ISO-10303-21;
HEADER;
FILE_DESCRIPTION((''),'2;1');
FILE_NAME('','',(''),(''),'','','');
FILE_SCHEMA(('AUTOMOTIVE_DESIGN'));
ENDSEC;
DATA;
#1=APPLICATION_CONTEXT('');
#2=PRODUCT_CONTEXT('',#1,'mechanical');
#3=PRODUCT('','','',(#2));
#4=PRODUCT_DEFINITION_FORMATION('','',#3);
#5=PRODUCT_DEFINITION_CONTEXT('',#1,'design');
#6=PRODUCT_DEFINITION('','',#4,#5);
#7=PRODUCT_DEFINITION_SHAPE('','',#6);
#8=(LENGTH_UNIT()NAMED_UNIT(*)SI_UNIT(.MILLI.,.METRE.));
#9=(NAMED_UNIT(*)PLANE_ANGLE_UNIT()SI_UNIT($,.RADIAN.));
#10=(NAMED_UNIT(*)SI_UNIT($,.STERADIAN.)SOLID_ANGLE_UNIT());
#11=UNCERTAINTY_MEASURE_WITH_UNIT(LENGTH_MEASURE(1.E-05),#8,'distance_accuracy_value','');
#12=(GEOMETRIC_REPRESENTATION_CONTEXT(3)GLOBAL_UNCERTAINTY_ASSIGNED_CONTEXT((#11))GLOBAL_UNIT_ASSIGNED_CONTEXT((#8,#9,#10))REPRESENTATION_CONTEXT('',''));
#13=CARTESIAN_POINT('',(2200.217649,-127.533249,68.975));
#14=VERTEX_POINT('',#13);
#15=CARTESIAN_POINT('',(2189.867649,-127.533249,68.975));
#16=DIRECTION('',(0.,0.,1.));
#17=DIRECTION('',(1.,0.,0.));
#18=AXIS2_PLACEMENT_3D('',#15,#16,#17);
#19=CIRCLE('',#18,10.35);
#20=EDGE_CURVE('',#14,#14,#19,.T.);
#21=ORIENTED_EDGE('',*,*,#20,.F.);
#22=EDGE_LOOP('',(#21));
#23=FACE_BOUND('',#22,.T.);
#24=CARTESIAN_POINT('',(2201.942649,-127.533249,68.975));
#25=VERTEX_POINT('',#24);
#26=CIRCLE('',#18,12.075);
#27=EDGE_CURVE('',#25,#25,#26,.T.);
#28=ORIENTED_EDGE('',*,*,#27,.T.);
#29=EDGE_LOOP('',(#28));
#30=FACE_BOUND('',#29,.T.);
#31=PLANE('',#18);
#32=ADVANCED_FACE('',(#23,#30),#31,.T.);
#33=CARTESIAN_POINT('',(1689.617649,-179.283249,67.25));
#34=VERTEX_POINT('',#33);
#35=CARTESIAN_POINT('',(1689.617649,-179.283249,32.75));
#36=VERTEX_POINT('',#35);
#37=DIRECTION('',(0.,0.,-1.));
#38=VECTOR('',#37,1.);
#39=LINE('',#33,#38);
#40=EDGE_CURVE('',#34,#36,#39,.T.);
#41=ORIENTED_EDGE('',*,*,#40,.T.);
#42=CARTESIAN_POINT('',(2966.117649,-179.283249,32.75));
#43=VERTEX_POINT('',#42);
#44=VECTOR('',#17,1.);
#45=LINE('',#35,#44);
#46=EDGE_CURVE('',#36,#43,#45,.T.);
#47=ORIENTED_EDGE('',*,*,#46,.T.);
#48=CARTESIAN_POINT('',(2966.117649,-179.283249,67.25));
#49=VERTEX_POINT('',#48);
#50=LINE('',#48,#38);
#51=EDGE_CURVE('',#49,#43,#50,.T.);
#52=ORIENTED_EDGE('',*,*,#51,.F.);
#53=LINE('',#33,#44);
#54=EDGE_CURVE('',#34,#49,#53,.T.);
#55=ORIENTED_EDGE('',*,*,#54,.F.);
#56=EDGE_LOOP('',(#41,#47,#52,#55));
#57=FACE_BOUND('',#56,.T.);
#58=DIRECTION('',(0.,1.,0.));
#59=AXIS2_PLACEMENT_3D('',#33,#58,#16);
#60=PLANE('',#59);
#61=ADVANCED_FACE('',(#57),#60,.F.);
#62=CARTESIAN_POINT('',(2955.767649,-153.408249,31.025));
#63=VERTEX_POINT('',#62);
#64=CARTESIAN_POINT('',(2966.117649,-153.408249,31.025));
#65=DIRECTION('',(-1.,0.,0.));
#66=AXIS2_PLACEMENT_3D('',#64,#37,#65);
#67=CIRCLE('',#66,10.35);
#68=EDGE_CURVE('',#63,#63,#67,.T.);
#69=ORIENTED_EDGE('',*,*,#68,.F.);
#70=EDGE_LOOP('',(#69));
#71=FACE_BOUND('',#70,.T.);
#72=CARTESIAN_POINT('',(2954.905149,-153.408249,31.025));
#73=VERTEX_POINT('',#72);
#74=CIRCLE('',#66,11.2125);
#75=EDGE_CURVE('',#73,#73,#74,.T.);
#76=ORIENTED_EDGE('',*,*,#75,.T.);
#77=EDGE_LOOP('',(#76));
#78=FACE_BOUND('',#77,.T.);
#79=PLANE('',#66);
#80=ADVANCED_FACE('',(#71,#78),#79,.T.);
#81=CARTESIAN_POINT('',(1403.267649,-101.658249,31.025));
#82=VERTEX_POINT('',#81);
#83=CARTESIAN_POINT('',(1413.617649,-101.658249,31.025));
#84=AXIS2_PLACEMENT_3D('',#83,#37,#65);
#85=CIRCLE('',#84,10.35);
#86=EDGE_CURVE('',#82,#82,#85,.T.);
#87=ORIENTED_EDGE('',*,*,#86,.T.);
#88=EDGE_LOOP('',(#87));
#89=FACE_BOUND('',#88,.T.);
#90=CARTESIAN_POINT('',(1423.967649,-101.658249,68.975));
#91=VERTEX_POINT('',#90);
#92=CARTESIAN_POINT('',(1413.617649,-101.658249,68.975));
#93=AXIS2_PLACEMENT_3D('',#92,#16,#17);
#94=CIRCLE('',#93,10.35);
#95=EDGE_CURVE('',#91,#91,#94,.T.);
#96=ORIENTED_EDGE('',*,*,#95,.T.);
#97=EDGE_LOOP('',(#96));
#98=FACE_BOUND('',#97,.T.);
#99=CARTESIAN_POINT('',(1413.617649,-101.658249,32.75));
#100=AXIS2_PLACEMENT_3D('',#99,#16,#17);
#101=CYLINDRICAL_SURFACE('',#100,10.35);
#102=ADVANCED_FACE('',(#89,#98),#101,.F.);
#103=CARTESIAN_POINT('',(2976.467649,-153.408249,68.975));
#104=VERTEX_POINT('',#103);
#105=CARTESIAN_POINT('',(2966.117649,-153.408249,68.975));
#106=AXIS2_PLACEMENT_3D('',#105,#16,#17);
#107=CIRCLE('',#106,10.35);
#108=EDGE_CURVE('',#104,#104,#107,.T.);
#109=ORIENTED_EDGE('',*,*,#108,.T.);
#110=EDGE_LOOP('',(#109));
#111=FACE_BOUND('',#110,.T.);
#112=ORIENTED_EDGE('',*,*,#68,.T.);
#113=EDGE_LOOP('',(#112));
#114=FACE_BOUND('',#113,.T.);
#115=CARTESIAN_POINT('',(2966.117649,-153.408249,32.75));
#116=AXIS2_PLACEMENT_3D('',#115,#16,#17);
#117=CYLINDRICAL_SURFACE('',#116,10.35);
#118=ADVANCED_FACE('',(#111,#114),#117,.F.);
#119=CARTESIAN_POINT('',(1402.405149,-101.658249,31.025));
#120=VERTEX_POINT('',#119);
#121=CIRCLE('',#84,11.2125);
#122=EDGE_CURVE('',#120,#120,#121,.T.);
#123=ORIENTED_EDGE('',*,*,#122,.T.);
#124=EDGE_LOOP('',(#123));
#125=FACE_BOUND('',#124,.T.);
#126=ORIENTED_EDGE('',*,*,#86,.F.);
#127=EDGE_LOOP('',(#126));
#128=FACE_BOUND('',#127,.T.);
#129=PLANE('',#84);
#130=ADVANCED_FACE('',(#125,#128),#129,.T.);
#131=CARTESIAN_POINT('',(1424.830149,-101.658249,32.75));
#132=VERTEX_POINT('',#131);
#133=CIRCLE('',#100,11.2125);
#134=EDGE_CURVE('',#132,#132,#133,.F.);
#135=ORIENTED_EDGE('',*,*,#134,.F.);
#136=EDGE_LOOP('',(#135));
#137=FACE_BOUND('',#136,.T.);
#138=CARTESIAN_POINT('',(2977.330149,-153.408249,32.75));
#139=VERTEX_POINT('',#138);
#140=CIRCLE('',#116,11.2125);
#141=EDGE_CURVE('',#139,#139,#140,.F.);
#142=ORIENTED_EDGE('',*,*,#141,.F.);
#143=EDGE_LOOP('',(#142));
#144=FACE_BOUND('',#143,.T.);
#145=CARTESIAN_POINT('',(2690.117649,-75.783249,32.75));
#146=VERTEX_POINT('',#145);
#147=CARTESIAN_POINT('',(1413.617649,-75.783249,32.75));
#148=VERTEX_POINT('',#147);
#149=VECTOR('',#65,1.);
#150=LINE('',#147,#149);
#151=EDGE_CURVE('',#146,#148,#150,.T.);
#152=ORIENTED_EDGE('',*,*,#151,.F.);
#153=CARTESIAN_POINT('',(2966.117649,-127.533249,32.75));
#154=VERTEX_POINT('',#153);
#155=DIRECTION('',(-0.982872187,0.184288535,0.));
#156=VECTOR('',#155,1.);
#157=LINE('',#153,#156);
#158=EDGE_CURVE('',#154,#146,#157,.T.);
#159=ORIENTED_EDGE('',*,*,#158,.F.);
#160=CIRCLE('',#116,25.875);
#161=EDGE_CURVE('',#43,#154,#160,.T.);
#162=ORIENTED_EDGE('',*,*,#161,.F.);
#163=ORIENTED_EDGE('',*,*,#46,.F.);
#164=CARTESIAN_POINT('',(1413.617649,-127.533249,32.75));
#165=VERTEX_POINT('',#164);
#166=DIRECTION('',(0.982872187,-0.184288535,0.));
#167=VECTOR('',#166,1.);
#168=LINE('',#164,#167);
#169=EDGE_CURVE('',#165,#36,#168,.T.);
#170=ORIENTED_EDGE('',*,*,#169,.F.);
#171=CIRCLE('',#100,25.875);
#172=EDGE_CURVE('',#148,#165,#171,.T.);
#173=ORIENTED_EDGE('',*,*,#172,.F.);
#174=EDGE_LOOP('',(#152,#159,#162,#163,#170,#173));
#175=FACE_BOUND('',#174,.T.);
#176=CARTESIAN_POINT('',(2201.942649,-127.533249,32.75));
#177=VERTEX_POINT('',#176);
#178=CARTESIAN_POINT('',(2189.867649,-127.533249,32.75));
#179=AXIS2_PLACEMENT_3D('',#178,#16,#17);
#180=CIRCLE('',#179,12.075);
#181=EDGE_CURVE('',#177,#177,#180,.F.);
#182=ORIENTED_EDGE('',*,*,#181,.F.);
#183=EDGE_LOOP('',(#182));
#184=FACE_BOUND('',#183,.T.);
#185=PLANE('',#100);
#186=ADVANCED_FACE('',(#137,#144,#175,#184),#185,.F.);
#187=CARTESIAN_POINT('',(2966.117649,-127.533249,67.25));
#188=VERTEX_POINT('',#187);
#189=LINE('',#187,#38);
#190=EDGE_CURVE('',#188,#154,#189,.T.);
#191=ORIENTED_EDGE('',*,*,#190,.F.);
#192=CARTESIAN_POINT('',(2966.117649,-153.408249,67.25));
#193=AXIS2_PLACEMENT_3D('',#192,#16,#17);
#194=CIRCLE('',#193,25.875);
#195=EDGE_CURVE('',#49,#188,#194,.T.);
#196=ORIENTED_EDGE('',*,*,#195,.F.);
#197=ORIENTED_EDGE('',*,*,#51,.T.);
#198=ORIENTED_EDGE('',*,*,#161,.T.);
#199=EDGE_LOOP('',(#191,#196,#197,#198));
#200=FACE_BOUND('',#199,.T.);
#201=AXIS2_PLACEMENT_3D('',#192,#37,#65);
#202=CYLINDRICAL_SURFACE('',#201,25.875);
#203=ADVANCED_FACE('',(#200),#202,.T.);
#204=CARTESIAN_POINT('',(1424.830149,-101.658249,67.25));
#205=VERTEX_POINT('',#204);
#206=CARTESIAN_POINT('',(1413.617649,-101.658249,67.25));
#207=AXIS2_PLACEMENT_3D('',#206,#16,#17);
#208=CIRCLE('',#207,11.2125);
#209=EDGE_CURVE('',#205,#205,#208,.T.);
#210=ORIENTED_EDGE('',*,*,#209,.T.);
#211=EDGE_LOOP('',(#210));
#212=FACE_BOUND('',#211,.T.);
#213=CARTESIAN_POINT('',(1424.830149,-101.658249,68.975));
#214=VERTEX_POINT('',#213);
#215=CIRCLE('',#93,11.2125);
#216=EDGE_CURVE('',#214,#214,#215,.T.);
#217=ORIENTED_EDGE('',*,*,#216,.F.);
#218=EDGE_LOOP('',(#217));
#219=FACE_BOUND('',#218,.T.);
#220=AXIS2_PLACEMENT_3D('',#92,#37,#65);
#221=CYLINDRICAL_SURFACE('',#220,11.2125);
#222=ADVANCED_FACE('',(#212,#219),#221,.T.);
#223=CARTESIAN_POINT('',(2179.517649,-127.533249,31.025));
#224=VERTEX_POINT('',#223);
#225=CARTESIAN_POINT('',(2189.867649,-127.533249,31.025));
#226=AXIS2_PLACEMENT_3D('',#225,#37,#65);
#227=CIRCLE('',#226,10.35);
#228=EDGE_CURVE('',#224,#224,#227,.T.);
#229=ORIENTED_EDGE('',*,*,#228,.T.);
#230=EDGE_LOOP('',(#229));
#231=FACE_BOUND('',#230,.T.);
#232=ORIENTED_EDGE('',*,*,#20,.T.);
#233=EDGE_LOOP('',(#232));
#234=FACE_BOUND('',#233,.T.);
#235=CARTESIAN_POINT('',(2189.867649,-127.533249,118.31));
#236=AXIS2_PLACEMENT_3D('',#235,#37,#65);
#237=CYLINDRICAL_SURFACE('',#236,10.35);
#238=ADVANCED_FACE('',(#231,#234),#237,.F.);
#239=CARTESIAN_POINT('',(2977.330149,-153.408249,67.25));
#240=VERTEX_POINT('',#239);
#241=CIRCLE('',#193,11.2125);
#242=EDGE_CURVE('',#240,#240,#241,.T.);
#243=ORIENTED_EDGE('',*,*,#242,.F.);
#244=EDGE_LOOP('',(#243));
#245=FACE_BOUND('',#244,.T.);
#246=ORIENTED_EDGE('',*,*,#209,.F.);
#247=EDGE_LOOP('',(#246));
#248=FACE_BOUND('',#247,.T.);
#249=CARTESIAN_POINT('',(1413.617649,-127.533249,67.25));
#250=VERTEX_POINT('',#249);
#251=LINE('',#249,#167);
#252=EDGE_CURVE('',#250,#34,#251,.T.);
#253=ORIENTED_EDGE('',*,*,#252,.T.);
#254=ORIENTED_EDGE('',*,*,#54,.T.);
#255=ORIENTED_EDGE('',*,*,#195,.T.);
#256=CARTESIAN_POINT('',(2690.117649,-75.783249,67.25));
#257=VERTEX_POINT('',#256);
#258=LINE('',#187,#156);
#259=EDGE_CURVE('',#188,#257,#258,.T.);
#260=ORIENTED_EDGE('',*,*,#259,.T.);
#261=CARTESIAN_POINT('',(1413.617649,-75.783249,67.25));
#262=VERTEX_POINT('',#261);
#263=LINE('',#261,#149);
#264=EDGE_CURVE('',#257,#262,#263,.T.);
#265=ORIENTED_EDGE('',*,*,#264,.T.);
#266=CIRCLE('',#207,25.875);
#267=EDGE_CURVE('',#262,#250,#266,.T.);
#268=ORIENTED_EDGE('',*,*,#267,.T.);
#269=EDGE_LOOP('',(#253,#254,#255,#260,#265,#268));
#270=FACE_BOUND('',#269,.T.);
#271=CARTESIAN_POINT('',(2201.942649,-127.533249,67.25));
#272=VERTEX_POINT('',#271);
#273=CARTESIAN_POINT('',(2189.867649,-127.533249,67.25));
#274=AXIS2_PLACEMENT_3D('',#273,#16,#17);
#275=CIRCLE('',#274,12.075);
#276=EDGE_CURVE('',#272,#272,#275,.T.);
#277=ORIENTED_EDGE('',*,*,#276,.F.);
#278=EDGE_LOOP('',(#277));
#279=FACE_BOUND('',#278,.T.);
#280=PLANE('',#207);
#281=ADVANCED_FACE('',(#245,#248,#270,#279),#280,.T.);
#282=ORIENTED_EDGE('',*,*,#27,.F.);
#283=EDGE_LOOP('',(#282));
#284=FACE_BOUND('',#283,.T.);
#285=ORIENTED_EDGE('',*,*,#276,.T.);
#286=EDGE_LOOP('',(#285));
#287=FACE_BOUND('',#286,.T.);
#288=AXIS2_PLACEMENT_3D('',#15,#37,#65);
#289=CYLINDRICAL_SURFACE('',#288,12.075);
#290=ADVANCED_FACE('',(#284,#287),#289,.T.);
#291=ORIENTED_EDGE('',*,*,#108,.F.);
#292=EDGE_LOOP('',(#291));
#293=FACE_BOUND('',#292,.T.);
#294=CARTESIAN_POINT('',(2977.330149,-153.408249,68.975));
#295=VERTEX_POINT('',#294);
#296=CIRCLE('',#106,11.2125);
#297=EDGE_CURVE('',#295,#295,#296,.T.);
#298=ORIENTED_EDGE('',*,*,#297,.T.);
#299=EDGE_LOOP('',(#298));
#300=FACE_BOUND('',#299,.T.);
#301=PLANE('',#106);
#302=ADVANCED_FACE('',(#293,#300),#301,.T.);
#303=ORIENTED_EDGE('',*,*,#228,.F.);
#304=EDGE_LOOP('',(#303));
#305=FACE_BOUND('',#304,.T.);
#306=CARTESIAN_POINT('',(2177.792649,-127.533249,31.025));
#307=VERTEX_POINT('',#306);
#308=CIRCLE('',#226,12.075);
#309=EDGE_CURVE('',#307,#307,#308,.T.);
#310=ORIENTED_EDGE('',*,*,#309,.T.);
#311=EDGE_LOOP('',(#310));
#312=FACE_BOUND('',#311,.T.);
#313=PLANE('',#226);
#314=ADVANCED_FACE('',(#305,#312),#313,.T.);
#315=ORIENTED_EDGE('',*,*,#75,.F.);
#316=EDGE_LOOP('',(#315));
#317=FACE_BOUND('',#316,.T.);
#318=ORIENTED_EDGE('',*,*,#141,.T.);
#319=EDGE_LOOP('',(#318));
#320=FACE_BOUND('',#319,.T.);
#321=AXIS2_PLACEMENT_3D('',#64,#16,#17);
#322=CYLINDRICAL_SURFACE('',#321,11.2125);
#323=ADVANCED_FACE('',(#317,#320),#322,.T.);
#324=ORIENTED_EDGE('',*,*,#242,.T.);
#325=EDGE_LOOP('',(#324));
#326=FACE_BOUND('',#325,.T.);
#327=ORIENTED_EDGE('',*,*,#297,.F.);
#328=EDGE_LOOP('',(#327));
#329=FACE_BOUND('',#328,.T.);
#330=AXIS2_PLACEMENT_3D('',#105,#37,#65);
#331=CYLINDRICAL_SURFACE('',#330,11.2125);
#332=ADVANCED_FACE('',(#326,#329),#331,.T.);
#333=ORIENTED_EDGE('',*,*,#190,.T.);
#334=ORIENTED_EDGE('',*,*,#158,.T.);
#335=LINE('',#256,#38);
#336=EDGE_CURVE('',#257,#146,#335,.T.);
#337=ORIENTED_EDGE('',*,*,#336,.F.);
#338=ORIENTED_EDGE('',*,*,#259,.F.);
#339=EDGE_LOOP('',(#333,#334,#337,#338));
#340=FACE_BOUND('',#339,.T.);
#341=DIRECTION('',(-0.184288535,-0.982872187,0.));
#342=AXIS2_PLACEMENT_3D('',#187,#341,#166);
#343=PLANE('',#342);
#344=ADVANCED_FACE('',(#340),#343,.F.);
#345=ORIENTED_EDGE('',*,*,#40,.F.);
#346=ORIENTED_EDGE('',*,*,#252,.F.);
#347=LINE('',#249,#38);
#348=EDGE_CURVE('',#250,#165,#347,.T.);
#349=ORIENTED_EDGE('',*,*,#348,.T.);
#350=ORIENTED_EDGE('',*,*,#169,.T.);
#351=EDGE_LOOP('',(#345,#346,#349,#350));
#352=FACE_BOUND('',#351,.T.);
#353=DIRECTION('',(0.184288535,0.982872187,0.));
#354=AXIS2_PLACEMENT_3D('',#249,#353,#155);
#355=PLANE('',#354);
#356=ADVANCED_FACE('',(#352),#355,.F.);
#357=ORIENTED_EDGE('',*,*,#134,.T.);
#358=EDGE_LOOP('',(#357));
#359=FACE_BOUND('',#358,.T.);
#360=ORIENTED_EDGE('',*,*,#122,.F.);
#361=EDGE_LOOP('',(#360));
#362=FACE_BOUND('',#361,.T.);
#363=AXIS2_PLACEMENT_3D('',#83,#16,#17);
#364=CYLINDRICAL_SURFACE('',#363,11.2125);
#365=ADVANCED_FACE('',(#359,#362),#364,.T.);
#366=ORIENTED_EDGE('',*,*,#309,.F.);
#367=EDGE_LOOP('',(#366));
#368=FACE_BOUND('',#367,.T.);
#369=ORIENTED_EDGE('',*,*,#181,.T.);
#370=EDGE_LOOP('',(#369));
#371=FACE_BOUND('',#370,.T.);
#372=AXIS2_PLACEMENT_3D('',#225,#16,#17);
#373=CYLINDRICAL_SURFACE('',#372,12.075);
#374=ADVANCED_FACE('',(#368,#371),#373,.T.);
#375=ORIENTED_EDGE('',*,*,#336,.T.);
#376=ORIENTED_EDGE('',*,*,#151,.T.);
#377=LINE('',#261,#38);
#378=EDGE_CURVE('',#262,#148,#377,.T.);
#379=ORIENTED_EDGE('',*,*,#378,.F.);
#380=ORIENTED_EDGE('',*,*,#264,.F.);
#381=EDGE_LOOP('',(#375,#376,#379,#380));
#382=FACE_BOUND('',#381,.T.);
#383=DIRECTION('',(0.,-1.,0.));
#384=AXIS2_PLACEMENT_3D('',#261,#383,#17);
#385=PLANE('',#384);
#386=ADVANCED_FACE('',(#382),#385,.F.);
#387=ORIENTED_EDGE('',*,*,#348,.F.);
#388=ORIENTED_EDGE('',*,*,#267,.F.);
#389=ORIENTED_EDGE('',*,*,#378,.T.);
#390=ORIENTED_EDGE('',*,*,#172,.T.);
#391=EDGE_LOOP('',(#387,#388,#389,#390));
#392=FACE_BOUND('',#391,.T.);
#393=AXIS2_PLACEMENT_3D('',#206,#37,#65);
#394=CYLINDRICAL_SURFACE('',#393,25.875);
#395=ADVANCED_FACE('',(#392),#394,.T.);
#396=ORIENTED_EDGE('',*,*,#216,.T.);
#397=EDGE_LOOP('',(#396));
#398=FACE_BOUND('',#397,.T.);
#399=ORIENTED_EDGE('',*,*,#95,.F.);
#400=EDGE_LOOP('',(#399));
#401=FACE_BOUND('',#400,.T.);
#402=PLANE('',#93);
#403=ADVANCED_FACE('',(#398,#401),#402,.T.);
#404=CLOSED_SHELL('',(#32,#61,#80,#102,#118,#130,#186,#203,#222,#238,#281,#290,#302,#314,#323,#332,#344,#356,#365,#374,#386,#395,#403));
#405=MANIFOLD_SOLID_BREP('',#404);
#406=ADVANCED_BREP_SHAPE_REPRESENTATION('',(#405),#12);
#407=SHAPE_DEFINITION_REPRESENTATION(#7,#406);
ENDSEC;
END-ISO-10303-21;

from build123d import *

# Parameters (mm, degrees)
EXTRUDE_1_DEPTH     = 100
SKETCH_2_R          = 30
CUT_EXTRUDE_1_DEPTH = 100
SKETCH_3_R          = 32.5
SKETCH_3_R_2        = 30
EXTRUDE_2_DEPTH     = 5
EXTRUDE_START       = 5
SKETCH_4_R          = 32.5
SKETCH_4_R_2        = 30
EXTRUDE_3_DEPTH     = 5
SKETCH_5_R          = 30
CUT_EXTRUDE_2_DEPTH = 248
SKETCH_6_R          = 35
SKETCH_6_R_2        = 30
EXTRUDE_4_DEPTH     = 5
SKETCH_7_R          = 35
SKETCH_7_R_2        = 30
EXTRUDE_5_DEPTH     = 5
SCALE1_SCALE        = 0.345


with BuildPart() as part:
    # 草图1 → 凸台-拉伸1 (new body)
    with BuildSketch(Plane.XY):
        with BuildLine():
            Line((-60.1323511, -127.533248731), (739.8676489, -277.533248731))
            Line((739.8676489, -277.533248731), (4439.8676489, -277.533248731))
            ThreePointArc((4439.8676489, -277.533248731), (4514.8676489, -202.533248731), (4439.8676489, -127.533248731))
            Line((4439.8676489, -127.533248731), (3639.8676489, 22.466751269))
            Line((3639.8676489, 22.466751269), (-60.1323511, 22.466751269))
            ThreePointArc((-60.1323511, 22.466751269), (-135.1323511, -52.533248731), (-60.1323511, -127.533248731))
        make_face()
    extrude(amount=EXTRUDE_1_DEPTH)

    # 草图2 → 切除-拉伸1 (cut)
    with BuildSketch(Plane.XY.offset(100)):
        with Locations((-60.1323511, -52.533248731)):
            Circle(SKETCH_2_R)
        with Locations((4439.8676489, -202.533248731)):
            Circle(SKETCH_2_R)
    extrude(amount=-CUT_EXTRUDE_1_DEPTH, mode=Mode.SUBTRACT)

    # 草图3 → 凸台-拉伸2 (add)
    # profile 1 of 2: a face of its own
    with BuildSketch(Plane(origin=(0, 0, 0), x_dir=(-1, 0, 0), z_dir=(0, 0, -1))):
        with Locations(Location((-4439.8676489, -202.533248731, 0), (0, 0, 180))):
            Circle(SKETCH_3_R)
        with Locations(Location((-4439.8676489, -202.533248731, 0), (0, 0, 180))):
            Circle(SKETCH_3_R_2, mode=Mode.SUBTRACT)
    # profile 2 of 2: a face of its own
    with BuildSketch(Plane(origin=(0, 0, 0), x_dir=(-1, 0, 0), z_dir=(0, 0, -1))):
        with Locations(Location((60.1323511, -52.533248731, 0), (0, 0, 180))):
            Circle(SKETCH_3_R)
        with Locations(Location((60.1323511, -52.533248731, 0), (0, 0, 180))):
            Circle(SKETCH_3_R_2, mode=Mode.SUBTRACT)
    extrude(amount=EXTRUDE_2_DEPTH)

    # 草图4 → 凸台-拉伸3 (add)
    # profile 1 of 2: a face of its own
    with BuildSketch(Plane.XY.offset(100).offset(EXTRUDE_START)):
        with Locations((-60.1323511, -52.533248731)):
            Circle(SKETCH_4_R)
        with Locations((-60.1323511, -52.533248731)):
            Circle(SKETCH_4_R_2, mode=Mode.SUBTRACT)
    # profile 2 of 2: a face of its own
    with BuildSketch(Plane.XY.offset(100).offset(EXTRUDE_START)):
        with Locations((4439.8676489, -202.533248731)):
            Circle(SKETCH_4_R)
        with Locations((4439.8676489, -202.533248731)):
            Circle(SKETCH_4_R_2, mode=Mode.SUBTRACT)
    extrude(amount=-EXTRUDE_3_DEPTH)

    # 草图5 → 切除-拉伸2 (cut)
    with BuildSketch(Plane(origin=(0, 0, 0), x_dir=(-1, 0, 0), z_dir=(0, 0, -1))):
        with Locations((-2189.8676489, -127.533248731)):
            Circle(SKETCH_5_R)
    extrude(amount=-CUT_EXTRUDE_2_DEPTH, mode=Mode.SUBTRACT)

    # 草图6 → 凸台-拉伸4 (add)
    with BuildSketch(Plane(origin=(0, 0, 0), x_dir=(-1, 0, 0), z_dir=(0, 0, -1)).offset(EXTRUDE_START)):
        with Locations(Location((-2189.8676489, -127.533248731, 0), (0, 0, 180))):
            Circle(SKETCH_6_R)
        with Locations((-2189.8676489, -127.533248731)):
            Circle(SKETCH_6_R_2, mode=Mode.SUBTRACT)
    extrude(amount=-EXTRUDE_4_DEPTH)

    # 草图7 → 凸台-拉伸5 (add)
    with BuildSketch(Plane.XY.offset(100)):
        with Locations((2189.8676489, -127.533248731)):
            Circle(SKETCH_7_R)
        with Locations(Location((2189.8676489, -127.533248731, 0), (0, 0, 180))):
            Circle(SKETCH_7_R_2, mode=Mode.SUBTRACT)
    extrude(amount=EXTRUDE_5_DEPTH)


with BuildPart() as part_1:
    # Scale1: scaled about (2189.8676489, -127.533248731, 50)
    add(part.part.scale(SCALE1_SCALE).moved(Location((1434.36331003, -83.534277919, 32.75))))


solid = part_1.part
